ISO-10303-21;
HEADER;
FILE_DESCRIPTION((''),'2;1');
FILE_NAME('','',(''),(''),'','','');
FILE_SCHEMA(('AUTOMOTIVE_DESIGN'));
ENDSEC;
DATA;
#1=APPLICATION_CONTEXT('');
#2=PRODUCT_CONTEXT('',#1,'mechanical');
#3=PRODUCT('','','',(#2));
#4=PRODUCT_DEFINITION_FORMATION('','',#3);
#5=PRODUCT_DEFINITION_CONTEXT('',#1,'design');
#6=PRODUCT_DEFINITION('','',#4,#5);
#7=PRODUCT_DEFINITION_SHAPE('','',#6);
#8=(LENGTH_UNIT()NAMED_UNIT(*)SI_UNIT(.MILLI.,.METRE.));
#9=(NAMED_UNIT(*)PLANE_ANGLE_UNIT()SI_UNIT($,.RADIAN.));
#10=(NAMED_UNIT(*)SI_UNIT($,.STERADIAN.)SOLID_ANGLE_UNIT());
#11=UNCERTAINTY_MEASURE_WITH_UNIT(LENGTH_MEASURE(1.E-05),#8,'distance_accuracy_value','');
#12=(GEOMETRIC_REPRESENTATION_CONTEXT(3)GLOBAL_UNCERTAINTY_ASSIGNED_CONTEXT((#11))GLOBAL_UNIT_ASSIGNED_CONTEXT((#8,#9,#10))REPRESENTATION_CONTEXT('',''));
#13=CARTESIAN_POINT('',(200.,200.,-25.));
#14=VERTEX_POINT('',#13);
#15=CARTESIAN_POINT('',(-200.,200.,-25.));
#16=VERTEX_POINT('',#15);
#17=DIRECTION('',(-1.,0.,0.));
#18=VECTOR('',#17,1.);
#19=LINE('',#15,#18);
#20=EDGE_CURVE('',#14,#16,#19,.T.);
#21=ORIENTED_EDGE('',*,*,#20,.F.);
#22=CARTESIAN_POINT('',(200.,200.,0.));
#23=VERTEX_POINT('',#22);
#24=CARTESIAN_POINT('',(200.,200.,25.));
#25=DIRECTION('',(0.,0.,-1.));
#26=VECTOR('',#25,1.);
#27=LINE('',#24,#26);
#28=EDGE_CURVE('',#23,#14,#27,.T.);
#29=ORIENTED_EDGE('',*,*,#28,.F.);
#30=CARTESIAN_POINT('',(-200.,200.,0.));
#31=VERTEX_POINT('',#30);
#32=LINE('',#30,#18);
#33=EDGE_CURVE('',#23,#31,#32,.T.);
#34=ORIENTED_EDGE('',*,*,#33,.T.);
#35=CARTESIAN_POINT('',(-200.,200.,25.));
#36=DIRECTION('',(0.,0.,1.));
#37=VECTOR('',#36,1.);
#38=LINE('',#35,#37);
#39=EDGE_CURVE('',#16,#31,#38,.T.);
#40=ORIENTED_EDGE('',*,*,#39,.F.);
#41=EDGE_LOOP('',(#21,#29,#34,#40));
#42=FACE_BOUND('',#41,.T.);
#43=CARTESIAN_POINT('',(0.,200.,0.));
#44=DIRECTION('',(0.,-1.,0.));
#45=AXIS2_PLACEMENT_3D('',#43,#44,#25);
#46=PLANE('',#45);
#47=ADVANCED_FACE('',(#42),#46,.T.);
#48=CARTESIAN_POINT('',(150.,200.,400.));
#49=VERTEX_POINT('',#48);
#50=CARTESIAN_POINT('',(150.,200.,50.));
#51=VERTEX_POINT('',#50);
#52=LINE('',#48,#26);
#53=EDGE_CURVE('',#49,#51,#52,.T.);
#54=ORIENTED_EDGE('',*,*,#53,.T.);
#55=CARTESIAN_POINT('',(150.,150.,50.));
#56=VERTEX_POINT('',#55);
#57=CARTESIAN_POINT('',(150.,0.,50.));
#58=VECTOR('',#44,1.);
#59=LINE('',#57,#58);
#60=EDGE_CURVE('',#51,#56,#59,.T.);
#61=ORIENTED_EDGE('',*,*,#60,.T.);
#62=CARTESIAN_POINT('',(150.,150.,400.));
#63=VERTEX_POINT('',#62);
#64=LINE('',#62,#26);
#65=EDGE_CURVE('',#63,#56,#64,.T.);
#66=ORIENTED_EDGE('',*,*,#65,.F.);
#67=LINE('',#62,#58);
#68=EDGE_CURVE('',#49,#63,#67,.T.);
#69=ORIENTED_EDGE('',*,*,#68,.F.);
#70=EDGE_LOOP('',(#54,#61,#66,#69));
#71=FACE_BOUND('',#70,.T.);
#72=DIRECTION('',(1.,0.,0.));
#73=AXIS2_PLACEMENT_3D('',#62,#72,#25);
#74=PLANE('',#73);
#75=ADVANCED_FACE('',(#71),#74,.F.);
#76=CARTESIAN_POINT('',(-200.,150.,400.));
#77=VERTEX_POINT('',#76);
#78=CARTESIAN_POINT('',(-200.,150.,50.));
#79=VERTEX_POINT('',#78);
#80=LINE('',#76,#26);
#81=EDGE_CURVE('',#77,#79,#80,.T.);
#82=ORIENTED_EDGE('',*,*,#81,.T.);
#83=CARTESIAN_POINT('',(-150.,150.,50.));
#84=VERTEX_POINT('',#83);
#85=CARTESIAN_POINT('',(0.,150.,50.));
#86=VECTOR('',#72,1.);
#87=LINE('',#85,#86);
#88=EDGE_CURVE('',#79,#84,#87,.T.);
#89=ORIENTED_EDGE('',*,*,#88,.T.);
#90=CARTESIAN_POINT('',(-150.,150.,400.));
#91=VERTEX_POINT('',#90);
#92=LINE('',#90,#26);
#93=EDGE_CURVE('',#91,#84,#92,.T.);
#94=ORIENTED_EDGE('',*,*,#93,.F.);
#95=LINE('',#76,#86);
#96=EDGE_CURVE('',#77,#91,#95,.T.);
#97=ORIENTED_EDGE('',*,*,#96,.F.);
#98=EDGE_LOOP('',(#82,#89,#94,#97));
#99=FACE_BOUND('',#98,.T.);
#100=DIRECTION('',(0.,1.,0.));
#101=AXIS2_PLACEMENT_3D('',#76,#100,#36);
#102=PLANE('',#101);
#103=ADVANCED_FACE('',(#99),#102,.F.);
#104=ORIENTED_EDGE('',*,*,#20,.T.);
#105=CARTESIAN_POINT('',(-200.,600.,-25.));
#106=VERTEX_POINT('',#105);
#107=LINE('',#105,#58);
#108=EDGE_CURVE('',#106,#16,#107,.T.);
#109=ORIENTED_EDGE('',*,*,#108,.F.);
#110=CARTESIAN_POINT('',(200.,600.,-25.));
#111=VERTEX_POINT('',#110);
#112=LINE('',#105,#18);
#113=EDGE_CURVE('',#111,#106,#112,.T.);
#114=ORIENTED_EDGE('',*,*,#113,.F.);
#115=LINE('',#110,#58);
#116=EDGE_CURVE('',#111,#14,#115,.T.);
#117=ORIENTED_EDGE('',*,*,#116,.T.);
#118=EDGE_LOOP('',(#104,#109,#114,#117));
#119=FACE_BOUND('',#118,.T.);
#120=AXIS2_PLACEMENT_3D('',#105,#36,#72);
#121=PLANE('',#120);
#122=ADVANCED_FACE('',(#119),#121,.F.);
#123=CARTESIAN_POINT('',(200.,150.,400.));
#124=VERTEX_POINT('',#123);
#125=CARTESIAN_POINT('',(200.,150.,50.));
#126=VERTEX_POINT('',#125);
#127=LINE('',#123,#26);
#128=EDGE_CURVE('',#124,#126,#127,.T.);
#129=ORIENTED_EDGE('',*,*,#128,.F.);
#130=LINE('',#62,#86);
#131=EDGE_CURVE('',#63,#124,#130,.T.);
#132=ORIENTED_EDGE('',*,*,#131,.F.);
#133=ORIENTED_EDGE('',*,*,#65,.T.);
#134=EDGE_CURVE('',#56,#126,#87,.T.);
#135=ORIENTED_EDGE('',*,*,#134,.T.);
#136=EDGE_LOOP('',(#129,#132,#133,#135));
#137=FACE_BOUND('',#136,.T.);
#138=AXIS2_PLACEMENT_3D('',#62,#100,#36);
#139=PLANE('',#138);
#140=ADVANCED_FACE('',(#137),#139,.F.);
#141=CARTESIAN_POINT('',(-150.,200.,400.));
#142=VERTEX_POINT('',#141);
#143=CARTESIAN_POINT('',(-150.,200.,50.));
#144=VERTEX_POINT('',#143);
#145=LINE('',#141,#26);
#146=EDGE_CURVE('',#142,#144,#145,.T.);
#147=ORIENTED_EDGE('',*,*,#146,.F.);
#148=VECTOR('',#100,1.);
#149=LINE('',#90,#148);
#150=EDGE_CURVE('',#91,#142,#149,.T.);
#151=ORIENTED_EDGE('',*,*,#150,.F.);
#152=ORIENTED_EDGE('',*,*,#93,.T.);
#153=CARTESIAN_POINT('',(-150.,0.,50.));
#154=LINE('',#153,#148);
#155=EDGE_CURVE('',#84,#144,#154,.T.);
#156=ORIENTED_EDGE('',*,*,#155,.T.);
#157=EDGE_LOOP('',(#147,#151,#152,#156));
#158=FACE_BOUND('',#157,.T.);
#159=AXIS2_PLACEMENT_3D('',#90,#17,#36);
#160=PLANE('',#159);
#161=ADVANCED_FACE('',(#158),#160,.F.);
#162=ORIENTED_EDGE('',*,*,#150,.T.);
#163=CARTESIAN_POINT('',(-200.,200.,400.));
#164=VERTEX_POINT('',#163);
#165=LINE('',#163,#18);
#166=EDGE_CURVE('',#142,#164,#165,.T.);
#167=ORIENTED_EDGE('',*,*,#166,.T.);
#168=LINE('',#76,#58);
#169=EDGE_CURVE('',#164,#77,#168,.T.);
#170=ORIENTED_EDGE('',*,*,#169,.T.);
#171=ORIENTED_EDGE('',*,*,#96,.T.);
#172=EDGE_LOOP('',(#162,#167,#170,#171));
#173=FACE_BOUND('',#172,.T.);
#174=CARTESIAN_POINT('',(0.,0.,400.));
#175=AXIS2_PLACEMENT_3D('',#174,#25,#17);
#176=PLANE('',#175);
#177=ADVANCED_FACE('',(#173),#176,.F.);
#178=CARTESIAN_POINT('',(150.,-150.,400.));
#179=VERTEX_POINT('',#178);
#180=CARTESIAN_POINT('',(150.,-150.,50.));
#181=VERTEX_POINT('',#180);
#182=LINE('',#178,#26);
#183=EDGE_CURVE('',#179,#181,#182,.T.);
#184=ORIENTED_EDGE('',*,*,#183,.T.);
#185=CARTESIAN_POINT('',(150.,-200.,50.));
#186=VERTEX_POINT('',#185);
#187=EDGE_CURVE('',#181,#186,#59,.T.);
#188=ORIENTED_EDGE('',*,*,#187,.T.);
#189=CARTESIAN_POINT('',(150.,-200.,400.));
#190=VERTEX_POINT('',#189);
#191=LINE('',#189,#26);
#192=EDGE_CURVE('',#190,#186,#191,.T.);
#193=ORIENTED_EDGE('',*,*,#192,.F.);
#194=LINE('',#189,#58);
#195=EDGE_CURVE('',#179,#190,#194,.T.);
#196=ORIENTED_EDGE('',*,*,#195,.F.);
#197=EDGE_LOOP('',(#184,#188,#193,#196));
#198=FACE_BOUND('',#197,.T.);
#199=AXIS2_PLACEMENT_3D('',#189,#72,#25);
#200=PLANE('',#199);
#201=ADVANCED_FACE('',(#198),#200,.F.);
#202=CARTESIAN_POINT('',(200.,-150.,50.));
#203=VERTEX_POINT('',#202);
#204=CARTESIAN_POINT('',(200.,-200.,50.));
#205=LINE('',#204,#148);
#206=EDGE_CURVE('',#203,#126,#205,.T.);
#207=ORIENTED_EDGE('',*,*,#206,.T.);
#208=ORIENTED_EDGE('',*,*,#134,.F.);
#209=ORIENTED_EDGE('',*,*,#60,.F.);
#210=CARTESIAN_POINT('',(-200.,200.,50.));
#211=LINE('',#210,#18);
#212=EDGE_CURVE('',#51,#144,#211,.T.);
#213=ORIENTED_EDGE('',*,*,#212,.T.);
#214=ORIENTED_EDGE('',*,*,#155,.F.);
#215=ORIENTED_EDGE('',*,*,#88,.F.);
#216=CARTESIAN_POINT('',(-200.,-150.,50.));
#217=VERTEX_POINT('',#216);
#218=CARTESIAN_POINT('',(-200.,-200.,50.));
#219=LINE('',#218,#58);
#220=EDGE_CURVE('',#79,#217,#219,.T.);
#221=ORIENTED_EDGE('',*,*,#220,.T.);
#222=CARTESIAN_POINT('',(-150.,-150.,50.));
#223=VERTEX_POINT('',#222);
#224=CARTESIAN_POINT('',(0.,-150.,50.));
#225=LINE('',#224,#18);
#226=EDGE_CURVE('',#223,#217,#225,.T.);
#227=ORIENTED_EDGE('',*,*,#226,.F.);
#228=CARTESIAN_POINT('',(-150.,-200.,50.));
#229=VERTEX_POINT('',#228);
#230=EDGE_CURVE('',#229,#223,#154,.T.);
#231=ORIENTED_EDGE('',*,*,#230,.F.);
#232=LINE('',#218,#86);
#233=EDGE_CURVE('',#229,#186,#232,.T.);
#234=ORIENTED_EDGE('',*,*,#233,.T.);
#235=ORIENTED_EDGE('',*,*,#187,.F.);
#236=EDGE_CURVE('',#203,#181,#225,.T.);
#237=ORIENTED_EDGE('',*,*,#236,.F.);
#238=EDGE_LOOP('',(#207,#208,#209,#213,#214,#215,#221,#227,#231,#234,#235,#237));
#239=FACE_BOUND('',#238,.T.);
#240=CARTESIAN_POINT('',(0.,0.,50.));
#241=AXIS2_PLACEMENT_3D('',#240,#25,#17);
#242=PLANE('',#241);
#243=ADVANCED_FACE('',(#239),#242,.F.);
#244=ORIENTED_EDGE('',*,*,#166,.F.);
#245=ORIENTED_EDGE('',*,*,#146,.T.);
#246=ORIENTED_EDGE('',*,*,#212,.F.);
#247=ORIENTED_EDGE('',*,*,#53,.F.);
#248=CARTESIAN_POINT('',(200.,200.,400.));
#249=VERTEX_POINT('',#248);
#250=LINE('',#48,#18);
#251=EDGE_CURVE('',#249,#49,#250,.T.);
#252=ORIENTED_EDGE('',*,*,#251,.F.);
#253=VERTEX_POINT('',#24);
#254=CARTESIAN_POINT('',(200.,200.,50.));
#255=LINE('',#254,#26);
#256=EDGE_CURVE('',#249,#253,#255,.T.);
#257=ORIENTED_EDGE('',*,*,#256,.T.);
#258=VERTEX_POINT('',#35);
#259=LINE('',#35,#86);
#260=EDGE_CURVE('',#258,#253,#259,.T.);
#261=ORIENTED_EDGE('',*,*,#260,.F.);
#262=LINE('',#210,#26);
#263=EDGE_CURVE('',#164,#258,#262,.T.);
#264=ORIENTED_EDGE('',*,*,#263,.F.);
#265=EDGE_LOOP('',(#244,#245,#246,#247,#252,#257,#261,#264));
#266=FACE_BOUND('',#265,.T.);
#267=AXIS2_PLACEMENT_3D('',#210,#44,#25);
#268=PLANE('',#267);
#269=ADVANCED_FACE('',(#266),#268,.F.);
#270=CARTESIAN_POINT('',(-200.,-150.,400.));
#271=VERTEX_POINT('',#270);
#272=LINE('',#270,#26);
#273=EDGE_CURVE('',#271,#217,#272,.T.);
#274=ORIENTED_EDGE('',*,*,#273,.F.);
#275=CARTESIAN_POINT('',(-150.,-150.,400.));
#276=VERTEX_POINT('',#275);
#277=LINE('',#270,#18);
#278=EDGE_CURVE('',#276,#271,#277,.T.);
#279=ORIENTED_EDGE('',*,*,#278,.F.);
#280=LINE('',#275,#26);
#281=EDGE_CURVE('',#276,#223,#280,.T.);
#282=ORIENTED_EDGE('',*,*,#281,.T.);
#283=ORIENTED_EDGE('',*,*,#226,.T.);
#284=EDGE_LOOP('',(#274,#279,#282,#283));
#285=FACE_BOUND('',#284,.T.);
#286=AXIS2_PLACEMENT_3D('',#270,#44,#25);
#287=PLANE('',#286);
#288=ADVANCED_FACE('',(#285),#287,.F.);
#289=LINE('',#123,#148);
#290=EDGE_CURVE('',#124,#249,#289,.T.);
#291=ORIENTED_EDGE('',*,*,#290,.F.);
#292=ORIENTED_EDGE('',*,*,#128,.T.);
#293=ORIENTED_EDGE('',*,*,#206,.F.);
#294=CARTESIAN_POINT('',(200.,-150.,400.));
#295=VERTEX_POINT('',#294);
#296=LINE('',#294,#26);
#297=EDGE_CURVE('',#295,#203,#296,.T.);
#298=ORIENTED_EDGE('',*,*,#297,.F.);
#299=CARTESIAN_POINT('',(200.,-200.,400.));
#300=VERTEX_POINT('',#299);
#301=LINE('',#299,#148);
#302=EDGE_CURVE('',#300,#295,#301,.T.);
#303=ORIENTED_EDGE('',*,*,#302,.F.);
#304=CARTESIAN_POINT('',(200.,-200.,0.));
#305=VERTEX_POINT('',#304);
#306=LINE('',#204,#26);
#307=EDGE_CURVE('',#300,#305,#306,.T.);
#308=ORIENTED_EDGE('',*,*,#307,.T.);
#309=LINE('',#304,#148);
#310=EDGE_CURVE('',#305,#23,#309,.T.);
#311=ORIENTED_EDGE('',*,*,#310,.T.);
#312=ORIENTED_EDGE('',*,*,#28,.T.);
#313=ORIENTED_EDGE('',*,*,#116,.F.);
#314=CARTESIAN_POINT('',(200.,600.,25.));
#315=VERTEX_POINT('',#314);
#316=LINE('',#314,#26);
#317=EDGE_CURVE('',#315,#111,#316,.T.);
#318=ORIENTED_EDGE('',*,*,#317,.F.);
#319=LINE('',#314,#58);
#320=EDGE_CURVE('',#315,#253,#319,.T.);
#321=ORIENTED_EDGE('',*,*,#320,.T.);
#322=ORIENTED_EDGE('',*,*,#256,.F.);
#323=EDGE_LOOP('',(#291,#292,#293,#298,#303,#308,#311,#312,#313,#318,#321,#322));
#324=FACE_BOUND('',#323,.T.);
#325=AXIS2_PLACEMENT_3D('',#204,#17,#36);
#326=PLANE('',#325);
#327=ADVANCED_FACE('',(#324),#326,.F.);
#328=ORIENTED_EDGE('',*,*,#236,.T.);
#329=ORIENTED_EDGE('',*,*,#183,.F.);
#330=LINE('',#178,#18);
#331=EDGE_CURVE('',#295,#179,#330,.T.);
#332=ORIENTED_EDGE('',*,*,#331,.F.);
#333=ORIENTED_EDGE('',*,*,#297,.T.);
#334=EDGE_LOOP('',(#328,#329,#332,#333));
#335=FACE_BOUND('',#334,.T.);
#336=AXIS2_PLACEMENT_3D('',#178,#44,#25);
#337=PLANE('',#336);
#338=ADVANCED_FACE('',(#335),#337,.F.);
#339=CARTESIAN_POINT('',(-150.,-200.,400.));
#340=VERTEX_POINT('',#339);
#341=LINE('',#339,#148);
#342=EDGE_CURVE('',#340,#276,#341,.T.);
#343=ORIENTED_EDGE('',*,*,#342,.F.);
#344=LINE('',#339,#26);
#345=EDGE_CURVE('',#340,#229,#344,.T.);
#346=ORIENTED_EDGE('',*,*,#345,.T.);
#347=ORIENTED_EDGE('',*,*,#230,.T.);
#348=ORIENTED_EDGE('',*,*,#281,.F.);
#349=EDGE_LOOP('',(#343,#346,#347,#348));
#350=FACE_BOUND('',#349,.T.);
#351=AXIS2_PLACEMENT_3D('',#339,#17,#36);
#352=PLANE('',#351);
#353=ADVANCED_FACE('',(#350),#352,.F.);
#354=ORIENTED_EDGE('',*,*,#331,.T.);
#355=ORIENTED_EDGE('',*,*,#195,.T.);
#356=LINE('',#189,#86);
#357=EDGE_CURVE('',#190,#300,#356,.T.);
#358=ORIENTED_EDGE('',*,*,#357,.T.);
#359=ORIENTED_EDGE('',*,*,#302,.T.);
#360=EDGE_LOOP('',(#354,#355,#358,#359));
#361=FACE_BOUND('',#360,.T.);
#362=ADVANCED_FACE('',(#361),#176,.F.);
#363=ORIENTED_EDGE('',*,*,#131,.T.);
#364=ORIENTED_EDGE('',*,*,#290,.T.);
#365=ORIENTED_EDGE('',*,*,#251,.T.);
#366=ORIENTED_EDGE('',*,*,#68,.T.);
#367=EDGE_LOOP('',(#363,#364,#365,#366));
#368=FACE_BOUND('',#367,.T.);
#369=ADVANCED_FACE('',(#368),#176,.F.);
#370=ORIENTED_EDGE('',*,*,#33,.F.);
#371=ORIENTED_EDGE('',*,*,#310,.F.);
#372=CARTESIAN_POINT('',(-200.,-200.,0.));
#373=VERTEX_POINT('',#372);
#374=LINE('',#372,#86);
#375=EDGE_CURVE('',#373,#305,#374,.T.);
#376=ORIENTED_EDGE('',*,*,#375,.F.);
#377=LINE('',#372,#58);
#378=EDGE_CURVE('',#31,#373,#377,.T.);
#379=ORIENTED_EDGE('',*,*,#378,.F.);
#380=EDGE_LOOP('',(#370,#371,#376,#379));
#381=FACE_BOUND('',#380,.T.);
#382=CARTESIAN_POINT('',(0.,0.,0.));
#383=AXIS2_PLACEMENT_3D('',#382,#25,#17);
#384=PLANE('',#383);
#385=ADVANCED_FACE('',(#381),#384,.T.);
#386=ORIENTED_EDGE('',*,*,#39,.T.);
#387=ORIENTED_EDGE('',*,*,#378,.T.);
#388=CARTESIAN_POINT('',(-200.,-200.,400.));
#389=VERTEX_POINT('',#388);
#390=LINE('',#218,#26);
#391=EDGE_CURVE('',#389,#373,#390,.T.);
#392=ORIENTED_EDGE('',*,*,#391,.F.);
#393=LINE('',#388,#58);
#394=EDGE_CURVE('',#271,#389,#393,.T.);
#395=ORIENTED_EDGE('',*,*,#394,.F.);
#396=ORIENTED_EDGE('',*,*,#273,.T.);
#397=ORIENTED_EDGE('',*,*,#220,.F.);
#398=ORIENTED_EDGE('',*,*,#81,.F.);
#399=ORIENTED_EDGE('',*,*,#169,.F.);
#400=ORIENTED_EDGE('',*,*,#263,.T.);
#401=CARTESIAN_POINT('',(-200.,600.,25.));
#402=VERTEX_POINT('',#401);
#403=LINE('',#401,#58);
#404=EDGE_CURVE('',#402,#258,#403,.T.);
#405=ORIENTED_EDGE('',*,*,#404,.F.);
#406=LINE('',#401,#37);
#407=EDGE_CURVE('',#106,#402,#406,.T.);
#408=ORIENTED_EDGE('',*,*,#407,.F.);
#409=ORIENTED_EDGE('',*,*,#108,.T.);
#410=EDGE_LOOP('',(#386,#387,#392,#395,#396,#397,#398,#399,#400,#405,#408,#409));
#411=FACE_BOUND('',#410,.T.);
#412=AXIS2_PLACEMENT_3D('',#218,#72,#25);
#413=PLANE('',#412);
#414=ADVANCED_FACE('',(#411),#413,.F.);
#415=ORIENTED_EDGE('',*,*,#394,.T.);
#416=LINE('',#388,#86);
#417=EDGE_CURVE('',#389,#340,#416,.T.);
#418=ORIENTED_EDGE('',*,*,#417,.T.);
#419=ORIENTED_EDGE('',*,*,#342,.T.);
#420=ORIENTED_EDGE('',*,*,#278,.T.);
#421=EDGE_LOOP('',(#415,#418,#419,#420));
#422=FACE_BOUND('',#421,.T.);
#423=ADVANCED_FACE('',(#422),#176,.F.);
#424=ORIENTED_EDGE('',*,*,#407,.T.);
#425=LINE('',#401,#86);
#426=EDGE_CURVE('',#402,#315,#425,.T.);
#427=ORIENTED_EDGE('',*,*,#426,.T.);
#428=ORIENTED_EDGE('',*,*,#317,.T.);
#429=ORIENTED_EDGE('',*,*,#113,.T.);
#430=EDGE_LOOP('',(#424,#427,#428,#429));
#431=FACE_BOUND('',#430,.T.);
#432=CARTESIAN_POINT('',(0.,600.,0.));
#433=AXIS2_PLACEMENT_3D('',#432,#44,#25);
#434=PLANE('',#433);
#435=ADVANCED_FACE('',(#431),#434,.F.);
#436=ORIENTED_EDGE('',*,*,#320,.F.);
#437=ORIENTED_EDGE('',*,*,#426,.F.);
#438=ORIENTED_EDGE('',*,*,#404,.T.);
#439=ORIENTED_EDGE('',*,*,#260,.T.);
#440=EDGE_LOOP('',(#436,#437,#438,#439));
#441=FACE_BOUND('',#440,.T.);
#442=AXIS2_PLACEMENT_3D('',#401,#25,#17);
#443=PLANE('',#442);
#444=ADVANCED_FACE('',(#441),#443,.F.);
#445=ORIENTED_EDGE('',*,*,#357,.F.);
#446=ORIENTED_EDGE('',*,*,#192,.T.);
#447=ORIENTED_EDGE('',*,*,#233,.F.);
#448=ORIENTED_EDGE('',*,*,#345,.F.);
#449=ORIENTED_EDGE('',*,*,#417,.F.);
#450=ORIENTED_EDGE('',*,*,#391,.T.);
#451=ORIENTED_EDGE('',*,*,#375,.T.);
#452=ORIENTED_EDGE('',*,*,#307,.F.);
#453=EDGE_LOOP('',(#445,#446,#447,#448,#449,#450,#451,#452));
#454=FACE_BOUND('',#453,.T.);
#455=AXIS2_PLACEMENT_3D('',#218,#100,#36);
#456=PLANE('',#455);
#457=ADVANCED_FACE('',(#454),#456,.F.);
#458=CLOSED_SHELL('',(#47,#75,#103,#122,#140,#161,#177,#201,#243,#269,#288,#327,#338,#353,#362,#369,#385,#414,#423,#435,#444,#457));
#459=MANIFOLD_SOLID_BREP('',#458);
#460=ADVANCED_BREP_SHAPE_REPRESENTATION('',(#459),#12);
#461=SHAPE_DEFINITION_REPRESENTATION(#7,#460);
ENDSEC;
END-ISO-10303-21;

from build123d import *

# Parameters (mm, degrees)
SKETCH_1_W      = 400
SKETCH_1_H      = 400
EXTRUDE_1_DEPTH = 50
SKETCH_2_W      = 50
SKETCH_2_H      = 50
EXTRUDE_2_DEPTH = 400
SKETCH_3_W      = 50
SKETCH_3_H      = 50
EXTRUDE_3_DEPTH = 400
SKETCH_4_W      = 50
SKETCH_4_H      = 50
EXTRUDE_4_DEPTH = 400
SKETCH_5_W      = 50
SKETCH_5_H      = 50
EXTRUDE_5_DEPTH = 400
SKETCH_6_W      = 400
SKETCH_6_H      = 400
EXTRUDE_6_DEPTH = 50
SKETCH_7_W      = 400
SKETCH_7_H      = 50
EXTRUDE_7_DEPTH = 400


with BuildPart() as part:
    # 草图1 → 凸台-拉伸1 (new body)
    with BuildSketch(Plane.XY):
        Rectangle(SKETCH_1_W, SKETCH_1_H)
    extrude(amount=EXTRUDE_1_DEPTH)

    # 草图2 → 凸台-拉伸2 (add)
    with BuildSketch(Plane.XY):
        with Locations((175, 175)):
            Rectangle(SKETCH_2_W, SKETCH_2_H)
    extrude(amount=EXTRUDE_2_DEPTH)

    # 草图3 → 凸台-拉伸3 (add)
    with BuildSketch(Plane.XY):
        with Locations((-175, 175)):
            Rectangle(SKETCH_3_W, SKETCH_3_H)
    extrude(amount=EXTRUDE_3_DEPTH)

    # 草图4 → 凸台-拉伸4 (add)
    with BuildSketch(Plane.XY):
        with Locations((175, -175)):
            Rectangle(SKETCH_4_W, SKETCH_4_H)
    extrude(amount=EXTRUDE_4_DEPTH)

    # 草图5 → 凸台-拉伸5 (add)
    with BuildSketch(Plane.XY):
        with Locations((-175, -175)):
            Rectangle(SKETCH_5_W, SKETCH_5_H)
    extrude(amount=EXTRUDE_5_DEPTH)

    # 草图6 → 凸台-拉伸6 (add)
    with BuildSketch(Plane.XY):
        Rectangle(SKETCH_6_W, SKETCH_6_H)
    extrude(amount=EXTRUDE_6_DEPTH)

    # 草图7 → 凸台-拉伸7 (add)
    with BuildSketch(Plane(origin=(0, 200, 0), x_dir=(1, 0, 0), z_dir=(0, 1, 0))):
        Rectangle(SKETCH_7_W, SKETCH_7_H)
    extrude(amount=EXTRUDE_7_DEPTH)


solid = part.part
